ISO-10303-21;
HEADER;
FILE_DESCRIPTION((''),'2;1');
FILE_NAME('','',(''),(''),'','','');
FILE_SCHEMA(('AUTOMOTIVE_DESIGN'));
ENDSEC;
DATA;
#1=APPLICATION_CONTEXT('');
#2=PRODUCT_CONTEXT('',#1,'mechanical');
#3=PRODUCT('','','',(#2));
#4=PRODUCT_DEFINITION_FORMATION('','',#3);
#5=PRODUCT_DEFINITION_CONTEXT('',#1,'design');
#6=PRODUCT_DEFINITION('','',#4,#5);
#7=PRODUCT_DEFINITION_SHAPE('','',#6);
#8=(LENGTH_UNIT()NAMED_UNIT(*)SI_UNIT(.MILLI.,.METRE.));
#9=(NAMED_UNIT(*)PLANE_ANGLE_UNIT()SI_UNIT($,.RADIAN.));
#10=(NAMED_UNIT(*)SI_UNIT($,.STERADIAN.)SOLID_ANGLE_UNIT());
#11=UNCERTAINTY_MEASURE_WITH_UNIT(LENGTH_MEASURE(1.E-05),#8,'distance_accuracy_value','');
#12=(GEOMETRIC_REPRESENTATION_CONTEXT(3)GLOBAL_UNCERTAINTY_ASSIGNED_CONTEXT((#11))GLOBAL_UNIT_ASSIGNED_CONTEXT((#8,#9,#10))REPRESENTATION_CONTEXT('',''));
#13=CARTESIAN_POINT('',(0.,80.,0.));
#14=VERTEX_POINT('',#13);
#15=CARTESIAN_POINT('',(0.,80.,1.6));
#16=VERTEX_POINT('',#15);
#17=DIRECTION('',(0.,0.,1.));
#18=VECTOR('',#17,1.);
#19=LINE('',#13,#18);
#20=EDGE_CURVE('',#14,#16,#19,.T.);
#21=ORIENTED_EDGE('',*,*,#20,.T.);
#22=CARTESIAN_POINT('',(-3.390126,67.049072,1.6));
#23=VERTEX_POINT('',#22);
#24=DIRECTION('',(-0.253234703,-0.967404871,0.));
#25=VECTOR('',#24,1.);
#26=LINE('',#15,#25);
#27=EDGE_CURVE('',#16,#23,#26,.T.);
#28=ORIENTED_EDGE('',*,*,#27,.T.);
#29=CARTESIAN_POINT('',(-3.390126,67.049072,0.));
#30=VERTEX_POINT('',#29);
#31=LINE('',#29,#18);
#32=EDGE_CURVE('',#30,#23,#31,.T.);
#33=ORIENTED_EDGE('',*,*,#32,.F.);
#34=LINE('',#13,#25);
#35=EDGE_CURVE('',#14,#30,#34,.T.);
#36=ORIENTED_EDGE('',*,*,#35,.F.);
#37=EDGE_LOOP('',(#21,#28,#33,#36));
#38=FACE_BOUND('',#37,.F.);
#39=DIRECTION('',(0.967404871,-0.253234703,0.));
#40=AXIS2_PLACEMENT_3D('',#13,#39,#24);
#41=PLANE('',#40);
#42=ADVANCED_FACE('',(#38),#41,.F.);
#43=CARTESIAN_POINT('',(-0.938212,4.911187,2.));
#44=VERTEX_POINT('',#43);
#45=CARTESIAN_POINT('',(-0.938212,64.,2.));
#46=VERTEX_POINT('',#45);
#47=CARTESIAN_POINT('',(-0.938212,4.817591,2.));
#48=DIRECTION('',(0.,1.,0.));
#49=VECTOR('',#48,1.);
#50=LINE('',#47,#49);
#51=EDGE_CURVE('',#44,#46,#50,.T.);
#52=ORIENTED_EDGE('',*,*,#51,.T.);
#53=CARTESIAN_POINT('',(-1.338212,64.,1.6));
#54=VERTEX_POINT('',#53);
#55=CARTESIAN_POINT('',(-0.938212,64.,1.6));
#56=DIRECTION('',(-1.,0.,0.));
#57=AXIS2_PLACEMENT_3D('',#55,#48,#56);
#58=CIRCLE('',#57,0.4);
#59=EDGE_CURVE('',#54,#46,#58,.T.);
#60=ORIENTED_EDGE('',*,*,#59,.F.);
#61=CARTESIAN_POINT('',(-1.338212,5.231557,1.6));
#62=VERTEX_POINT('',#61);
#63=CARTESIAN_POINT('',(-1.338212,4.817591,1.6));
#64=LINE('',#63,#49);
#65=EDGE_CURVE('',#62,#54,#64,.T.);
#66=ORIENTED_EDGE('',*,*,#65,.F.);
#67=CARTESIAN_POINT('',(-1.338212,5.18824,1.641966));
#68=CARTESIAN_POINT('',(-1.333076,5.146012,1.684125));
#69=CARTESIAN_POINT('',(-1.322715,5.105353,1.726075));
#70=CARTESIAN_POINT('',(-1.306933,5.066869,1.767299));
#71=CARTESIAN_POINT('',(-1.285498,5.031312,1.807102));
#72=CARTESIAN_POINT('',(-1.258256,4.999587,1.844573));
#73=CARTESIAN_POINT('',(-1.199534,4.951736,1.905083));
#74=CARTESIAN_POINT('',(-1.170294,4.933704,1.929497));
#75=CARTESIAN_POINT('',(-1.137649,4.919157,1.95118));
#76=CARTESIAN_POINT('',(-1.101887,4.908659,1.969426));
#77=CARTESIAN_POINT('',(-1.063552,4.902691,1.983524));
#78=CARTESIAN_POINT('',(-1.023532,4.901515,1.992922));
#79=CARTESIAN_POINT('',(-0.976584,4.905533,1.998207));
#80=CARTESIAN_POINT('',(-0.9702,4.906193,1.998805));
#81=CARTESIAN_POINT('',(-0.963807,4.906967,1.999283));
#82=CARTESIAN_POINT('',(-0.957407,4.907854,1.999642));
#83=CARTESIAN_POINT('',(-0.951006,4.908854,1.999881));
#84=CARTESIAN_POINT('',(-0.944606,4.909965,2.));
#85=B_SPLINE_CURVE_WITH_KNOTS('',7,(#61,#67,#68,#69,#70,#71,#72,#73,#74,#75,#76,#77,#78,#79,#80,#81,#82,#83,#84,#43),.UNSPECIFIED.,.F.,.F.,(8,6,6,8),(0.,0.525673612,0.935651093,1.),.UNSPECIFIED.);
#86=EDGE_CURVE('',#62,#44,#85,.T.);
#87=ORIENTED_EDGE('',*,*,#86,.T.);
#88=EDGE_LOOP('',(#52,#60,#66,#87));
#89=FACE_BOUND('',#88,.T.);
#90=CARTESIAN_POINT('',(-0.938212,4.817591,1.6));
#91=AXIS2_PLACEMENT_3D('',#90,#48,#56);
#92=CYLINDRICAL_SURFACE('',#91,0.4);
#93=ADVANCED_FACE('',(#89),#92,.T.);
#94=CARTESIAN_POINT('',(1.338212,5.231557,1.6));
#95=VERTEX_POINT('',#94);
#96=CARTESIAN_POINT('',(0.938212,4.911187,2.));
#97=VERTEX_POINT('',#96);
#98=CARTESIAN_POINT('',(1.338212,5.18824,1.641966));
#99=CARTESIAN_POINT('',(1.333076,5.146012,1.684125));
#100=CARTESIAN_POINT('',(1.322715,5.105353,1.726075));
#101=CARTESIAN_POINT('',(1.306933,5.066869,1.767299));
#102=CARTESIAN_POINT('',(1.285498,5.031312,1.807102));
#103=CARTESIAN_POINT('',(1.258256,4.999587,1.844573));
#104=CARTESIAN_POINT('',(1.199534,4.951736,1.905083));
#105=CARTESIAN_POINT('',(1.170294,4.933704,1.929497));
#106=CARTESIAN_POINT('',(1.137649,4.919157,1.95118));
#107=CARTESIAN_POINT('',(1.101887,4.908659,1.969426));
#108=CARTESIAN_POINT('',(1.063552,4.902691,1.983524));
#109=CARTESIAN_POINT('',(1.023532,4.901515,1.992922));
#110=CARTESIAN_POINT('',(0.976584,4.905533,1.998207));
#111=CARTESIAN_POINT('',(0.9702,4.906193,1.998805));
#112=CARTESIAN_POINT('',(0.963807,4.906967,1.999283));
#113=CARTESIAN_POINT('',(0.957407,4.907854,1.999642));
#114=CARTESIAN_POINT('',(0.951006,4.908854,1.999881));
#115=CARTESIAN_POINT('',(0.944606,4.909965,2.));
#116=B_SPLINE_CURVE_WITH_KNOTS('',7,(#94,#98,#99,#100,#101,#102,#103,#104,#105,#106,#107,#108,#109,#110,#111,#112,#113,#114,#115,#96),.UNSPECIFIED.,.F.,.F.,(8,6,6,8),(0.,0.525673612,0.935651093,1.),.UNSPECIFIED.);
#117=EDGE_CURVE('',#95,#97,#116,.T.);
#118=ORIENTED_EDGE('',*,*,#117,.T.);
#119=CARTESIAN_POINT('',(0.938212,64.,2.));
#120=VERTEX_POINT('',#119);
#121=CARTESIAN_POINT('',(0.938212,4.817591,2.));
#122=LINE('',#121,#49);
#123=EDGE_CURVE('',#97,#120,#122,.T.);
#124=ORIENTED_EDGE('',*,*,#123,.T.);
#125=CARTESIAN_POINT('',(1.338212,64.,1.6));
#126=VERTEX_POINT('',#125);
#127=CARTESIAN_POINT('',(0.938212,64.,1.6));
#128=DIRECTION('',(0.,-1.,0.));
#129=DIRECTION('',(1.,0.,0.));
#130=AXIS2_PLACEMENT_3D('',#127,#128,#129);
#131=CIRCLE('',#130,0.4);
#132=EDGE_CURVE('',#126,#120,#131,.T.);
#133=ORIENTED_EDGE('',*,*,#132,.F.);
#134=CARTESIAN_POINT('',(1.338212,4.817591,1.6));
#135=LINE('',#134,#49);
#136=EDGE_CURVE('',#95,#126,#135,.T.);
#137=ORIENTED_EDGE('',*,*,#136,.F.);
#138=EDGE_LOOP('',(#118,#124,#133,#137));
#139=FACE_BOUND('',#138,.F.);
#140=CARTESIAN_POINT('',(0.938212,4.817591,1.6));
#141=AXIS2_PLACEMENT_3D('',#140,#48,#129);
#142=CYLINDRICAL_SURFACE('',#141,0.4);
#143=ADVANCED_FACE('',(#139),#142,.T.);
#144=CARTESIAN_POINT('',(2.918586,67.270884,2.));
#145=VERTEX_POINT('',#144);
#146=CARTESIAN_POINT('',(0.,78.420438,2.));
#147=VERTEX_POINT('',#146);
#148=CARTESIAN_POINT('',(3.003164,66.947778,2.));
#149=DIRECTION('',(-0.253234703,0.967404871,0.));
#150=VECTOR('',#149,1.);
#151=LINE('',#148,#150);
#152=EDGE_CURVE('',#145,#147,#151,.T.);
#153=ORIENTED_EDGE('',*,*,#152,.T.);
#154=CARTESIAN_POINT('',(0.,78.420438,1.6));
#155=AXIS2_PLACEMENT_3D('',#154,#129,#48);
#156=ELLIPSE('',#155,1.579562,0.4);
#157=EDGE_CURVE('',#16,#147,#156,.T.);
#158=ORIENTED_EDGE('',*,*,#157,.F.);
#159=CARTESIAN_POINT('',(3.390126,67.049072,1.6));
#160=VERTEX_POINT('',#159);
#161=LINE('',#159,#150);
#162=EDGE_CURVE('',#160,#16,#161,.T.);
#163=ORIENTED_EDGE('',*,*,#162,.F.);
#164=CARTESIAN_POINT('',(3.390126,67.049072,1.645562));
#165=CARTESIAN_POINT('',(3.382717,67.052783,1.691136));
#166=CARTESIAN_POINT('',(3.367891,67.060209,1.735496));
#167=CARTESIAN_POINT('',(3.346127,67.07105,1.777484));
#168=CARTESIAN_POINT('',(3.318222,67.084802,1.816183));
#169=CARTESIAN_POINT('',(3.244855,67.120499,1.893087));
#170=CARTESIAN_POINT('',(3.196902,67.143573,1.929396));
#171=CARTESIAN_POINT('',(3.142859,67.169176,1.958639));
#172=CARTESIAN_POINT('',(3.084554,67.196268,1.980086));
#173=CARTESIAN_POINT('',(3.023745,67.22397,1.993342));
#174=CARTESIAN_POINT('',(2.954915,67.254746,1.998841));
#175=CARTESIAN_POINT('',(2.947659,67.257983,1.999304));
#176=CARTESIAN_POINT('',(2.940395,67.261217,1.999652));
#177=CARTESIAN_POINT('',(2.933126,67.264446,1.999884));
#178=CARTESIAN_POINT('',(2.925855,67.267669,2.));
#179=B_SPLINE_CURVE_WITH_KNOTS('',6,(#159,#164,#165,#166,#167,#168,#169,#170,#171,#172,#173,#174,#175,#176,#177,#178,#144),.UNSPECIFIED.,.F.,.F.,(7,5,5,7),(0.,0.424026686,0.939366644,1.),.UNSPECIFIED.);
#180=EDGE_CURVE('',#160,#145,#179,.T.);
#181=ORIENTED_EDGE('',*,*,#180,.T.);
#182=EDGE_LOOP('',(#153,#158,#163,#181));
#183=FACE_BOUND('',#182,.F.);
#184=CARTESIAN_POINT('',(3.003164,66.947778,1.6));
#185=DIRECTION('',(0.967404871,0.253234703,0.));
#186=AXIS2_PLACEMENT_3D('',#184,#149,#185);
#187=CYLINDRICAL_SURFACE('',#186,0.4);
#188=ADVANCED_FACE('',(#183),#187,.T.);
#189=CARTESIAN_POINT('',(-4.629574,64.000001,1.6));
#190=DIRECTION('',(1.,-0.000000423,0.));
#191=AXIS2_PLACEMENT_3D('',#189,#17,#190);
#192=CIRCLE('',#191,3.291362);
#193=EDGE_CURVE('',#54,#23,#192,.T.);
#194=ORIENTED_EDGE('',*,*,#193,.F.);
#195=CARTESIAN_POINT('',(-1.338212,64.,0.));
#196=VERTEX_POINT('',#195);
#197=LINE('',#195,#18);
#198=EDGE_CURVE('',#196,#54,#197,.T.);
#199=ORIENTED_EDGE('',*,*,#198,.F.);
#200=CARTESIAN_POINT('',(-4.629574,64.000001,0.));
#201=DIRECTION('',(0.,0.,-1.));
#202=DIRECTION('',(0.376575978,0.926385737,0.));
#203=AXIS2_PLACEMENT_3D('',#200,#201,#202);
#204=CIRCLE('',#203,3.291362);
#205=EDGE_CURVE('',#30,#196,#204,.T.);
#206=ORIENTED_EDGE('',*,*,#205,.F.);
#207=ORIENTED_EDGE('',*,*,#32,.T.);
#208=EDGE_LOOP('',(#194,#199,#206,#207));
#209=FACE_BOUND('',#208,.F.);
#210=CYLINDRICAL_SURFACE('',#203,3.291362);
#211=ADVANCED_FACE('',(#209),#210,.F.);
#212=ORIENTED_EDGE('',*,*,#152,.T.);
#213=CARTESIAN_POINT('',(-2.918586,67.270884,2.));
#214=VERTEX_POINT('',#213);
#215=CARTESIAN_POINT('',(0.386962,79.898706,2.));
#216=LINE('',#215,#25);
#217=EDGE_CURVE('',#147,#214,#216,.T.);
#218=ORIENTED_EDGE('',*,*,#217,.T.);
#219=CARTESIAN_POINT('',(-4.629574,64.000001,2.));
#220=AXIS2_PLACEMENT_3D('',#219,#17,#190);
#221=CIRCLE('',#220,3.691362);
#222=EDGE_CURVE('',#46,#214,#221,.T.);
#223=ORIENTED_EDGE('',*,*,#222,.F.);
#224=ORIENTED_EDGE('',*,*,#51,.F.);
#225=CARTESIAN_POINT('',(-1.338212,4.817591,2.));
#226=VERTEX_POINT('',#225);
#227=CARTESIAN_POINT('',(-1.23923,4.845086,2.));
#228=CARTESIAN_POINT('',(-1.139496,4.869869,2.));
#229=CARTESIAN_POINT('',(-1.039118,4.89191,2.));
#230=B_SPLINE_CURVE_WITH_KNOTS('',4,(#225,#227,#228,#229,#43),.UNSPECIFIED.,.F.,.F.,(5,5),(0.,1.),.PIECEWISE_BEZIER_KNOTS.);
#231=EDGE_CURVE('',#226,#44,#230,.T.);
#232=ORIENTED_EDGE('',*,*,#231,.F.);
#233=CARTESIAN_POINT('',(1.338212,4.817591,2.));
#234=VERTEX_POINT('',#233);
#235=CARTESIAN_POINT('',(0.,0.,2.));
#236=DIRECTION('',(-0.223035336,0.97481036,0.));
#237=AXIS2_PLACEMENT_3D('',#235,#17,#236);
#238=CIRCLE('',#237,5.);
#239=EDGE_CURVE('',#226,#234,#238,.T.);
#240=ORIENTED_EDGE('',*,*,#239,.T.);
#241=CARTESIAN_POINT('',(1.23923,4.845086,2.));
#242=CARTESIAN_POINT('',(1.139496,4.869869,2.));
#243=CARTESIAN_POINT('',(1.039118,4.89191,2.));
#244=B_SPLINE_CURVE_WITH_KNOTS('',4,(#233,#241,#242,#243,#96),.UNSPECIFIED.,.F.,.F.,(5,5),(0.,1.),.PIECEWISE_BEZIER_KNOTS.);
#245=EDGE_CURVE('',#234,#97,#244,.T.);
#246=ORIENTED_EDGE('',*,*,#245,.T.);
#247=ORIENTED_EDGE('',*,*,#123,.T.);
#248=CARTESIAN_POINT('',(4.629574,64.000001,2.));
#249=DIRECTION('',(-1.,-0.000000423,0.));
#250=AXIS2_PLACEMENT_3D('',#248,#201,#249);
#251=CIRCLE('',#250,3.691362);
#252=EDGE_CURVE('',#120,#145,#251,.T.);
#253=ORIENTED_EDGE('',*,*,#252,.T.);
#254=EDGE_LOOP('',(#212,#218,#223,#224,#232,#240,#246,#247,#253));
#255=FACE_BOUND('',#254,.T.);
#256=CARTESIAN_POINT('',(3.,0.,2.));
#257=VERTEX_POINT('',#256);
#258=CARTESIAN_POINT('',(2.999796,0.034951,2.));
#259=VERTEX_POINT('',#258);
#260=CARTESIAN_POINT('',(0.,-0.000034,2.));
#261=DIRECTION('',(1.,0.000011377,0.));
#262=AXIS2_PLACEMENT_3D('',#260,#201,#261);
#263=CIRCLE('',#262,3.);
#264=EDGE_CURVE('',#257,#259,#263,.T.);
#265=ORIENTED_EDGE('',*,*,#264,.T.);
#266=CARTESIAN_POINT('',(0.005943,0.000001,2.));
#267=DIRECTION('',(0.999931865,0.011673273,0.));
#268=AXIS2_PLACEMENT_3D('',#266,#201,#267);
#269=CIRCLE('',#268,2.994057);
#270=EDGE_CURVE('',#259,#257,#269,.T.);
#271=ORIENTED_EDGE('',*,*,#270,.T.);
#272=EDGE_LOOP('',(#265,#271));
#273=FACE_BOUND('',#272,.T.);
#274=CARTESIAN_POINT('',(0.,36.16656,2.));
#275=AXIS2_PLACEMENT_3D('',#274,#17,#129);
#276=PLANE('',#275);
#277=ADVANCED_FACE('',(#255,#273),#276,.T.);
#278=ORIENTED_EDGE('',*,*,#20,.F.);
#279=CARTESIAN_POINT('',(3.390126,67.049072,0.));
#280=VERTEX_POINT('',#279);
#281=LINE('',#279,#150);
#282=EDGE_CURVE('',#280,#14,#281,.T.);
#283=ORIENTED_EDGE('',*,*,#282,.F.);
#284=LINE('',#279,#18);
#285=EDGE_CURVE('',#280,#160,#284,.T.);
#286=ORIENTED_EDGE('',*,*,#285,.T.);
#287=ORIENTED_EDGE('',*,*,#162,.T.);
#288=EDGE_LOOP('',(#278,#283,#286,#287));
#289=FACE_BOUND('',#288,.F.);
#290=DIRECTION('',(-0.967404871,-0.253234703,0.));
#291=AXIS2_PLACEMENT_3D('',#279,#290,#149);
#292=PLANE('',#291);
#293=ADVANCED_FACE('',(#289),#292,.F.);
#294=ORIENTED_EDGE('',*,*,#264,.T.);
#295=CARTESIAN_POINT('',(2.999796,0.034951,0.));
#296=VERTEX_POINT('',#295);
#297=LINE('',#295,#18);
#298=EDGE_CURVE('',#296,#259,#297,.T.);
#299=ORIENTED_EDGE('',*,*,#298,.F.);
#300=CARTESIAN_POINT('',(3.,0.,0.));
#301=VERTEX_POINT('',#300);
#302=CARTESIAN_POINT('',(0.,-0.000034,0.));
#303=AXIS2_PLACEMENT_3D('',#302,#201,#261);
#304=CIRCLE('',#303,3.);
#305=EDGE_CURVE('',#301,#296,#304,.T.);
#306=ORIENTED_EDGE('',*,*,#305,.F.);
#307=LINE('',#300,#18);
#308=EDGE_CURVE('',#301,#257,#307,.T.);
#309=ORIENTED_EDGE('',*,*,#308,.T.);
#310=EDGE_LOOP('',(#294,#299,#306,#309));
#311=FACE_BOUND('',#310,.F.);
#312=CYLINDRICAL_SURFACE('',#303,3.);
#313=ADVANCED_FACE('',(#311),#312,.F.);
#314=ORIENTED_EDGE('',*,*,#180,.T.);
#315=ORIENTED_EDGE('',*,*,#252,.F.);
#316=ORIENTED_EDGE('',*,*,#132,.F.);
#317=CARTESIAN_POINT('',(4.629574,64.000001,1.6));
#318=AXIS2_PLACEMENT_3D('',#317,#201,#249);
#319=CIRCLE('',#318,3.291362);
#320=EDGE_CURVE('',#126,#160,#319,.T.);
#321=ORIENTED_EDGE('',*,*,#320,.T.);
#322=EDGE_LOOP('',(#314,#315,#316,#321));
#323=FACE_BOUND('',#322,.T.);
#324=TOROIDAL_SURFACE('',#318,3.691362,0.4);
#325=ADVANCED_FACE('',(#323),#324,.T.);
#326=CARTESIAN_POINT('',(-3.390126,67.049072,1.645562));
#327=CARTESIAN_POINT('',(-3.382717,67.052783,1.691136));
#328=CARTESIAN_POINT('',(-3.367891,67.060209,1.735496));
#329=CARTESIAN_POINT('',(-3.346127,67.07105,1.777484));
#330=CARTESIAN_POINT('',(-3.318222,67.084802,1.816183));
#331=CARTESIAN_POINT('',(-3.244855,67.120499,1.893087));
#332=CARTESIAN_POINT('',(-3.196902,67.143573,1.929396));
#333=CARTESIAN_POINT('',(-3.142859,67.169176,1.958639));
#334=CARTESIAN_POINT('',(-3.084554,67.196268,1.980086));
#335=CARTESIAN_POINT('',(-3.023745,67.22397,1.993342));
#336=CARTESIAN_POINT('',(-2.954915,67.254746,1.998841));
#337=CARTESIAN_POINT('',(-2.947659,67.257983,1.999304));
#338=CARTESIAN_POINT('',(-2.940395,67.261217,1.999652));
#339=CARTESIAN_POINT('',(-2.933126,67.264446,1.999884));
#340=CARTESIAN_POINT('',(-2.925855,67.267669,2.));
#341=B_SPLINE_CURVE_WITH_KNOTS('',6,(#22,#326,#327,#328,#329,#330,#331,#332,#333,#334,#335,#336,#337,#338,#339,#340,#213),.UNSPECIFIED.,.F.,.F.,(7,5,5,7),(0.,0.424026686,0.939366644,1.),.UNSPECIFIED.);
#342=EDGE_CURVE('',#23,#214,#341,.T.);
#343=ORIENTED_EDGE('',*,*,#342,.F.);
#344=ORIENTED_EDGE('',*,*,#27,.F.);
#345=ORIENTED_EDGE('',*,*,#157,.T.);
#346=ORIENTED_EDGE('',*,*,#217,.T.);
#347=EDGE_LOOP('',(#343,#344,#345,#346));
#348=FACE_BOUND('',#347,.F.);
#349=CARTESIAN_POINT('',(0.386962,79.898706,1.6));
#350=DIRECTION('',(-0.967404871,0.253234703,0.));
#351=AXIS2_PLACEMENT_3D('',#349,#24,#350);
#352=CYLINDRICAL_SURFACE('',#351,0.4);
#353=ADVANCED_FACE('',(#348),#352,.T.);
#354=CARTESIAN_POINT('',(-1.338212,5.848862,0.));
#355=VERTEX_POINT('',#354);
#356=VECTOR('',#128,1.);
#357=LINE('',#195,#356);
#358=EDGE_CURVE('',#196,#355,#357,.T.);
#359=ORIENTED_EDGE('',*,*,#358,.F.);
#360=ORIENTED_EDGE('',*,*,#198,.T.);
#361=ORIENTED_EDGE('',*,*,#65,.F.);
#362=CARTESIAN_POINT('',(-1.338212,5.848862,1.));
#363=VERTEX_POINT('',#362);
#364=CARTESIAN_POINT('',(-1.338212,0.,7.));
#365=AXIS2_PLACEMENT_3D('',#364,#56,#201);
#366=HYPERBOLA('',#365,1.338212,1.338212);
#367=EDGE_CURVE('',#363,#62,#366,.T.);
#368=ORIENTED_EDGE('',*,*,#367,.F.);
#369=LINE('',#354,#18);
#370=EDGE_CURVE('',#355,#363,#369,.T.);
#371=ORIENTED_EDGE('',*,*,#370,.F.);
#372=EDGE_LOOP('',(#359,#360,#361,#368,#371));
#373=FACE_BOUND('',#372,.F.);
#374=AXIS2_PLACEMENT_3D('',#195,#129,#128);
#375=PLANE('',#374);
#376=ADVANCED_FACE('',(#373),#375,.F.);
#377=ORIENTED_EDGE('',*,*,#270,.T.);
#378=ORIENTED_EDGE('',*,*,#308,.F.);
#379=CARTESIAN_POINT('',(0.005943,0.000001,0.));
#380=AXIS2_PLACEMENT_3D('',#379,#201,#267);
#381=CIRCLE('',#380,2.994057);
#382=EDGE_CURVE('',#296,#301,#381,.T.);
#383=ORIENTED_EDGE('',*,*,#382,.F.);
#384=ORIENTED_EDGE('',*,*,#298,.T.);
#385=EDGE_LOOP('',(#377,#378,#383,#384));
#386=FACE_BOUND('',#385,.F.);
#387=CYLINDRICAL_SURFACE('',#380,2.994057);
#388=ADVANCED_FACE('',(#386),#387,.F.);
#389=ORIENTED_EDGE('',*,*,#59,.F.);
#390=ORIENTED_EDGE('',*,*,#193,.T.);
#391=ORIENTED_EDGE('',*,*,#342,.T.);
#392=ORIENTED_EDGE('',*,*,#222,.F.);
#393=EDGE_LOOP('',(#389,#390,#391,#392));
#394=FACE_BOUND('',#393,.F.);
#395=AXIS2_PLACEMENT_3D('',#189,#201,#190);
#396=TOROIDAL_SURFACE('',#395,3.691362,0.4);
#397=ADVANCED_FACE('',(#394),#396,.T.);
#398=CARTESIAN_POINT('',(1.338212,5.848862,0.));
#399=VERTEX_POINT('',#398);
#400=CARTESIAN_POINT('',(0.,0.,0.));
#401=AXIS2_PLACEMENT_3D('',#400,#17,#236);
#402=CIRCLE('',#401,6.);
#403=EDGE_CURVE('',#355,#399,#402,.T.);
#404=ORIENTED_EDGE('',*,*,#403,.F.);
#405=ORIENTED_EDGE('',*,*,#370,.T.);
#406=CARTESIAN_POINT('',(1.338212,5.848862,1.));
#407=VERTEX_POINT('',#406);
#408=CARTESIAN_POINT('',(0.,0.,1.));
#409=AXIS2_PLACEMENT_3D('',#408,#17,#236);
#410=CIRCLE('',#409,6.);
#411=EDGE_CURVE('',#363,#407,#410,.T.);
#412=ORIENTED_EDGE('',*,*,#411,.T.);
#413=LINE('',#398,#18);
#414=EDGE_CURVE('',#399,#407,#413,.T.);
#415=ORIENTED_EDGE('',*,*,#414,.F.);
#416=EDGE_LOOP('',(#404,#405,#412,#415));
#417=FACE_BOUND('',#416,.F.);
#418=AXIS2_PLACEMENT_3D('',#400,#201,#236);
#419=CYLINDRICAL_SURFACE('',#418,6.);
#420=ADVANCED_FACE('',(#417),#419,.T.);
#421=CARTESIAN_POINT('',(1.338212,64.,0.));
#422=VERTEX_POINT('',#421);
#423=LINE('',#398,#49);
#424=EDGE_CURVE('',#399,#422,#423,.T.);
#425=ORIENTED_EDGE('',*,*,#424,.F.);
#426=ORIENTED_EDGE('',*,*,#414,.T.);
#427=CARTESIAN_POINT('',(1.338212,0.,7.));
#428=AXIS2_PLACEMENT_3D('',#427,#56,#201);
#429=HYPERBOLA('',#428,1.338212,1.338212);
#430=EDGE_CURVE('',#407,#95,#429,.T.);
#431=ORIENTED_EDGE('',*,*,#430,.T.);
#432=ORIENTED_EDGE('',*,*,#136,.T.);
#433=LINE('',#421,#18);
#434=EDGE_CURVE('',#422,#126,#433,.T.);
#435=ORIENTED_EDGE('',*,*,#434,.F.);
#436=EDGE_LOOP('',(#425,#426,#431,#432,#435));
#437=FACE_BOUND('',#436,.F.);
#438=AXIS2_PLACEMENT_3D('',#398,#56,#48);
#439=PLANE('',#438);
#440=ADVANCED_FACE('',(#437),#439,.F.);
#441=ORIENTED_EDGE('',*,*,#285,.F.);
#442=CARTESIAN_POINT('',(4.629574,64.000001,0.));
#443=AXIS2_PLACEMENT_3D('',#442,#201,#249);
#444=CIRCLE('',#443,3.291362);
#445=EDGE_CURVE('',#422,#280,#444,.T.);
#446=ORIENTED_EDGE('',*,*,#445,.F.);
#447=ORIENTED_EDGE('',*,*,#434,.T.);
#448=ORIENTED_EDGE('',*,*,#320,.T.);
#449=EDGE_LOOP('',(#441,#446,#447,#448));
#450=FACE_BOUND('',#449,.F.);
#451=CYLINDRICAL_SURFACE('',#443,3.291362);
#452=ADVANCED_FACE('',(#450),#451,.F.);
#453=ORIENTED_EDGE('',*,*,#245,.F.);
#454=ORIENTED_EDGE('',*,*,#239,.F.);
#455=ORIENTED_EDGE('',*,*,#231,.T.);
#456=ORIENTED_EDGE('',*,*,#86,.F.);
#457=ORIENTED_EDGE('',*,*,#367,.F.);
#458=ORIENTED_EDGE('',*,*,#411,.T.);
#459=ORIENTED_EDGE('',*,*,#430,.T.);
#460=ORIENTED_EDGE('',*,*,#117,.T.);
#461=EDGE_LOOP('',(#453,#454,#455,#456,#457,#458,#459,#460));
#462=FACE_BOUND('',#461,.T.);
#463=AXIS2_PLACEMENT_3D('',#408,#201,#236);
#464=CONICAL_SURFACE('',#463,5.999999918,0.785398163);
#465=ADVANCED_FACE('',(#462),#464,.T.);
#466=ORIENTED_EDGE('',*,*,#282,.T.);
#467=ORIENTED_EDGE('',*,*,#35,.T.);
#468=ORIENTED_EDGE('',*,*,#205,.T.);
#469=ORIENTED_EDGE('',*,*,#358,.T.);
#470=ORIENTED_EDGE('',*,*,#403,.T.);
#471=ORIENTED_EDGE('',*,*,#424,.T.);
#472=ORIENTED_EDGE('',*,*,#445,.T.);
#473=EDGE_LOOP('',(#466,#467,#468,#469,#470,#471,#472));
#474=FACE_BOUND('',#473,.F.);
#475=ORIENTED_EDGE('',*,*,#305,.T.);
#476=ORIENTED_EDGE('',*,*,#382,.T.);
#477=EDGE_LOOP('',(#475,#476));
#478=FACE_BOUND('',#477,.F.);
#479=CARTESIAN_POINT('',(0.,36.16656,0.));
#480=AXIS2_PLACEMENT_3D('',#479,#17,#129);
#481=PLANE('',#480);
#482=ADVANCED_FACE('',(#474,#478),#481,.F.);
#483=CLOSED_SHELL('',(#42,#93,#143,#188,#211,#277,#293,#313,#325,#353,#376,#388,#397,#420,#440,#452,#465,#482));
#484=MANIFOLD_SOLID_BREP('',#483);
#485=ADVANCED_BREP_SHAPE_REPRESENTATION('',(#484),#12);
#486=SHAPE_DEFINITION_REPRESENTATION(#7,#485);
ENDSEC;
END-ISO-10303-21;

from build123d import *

# Parameters (mm, degrees)
F1_DEPTH = 2
F2_SIZE  = 1
F3_R     = 0.4


with BuildPart() as f1:
    # F0 (on Top) → F1 (new body)
    with BuildSketch(Plane.XY):
        with BuildLine():
            Line((-1.338212, 64), (-1.338212, 5.848862))
            ThreePointArc((-1.338212, 5.848862), (0, -6), (1.338212, 5.848862))
            Line((1.338212, 5.848862), (1.338212, 64))
            ThreePointArc((1.338212, 64), (1.898957, 65.837607), (3.390126, 67.049072))
            Line((3.390126, 67.049072), (0, 80))
            Line((0, 80), (-3.390126, 67.049072))
            ThreePointArc((-3.390126, 67.049072), (-1.898957, 65.837607), (-1.338212, 64))
        make_face()
        with BuildLine():
            ThreePointArc((2.999796, 0.034951), (2.999949, 0.017476), (3, 0))
            ThreePointArc((3, 0), (-2.999949, -0.017476), (2.999796, 0.034951))
        make_face(mode=Mode.SUBTRACT)
    extrude(amount=F1_DEPTH)

    # F2
    f2_edges = [f1.edges().sort_by_distance(p)[0] for p in [
        (0, -6, 2),
    ]]
    chamfer(f2_edges, length=F2_SIZE)

    # F3
    f3_edges = [f1.edges().sort_by_distance(p)[0] for p in [
        (1.338212, 34.924431, 2),
        (-1.338212, 34.924431, 2),
        (1.695063, 73.524536, 2),
        (-1.695063, 73.524536, 2),
        (1.898957, 65.837607, 2),
        (-1.898957, 65.837607, 2),
    ]]
    fillet(f3_edges, radius=F3_R)


solid = f1.part
